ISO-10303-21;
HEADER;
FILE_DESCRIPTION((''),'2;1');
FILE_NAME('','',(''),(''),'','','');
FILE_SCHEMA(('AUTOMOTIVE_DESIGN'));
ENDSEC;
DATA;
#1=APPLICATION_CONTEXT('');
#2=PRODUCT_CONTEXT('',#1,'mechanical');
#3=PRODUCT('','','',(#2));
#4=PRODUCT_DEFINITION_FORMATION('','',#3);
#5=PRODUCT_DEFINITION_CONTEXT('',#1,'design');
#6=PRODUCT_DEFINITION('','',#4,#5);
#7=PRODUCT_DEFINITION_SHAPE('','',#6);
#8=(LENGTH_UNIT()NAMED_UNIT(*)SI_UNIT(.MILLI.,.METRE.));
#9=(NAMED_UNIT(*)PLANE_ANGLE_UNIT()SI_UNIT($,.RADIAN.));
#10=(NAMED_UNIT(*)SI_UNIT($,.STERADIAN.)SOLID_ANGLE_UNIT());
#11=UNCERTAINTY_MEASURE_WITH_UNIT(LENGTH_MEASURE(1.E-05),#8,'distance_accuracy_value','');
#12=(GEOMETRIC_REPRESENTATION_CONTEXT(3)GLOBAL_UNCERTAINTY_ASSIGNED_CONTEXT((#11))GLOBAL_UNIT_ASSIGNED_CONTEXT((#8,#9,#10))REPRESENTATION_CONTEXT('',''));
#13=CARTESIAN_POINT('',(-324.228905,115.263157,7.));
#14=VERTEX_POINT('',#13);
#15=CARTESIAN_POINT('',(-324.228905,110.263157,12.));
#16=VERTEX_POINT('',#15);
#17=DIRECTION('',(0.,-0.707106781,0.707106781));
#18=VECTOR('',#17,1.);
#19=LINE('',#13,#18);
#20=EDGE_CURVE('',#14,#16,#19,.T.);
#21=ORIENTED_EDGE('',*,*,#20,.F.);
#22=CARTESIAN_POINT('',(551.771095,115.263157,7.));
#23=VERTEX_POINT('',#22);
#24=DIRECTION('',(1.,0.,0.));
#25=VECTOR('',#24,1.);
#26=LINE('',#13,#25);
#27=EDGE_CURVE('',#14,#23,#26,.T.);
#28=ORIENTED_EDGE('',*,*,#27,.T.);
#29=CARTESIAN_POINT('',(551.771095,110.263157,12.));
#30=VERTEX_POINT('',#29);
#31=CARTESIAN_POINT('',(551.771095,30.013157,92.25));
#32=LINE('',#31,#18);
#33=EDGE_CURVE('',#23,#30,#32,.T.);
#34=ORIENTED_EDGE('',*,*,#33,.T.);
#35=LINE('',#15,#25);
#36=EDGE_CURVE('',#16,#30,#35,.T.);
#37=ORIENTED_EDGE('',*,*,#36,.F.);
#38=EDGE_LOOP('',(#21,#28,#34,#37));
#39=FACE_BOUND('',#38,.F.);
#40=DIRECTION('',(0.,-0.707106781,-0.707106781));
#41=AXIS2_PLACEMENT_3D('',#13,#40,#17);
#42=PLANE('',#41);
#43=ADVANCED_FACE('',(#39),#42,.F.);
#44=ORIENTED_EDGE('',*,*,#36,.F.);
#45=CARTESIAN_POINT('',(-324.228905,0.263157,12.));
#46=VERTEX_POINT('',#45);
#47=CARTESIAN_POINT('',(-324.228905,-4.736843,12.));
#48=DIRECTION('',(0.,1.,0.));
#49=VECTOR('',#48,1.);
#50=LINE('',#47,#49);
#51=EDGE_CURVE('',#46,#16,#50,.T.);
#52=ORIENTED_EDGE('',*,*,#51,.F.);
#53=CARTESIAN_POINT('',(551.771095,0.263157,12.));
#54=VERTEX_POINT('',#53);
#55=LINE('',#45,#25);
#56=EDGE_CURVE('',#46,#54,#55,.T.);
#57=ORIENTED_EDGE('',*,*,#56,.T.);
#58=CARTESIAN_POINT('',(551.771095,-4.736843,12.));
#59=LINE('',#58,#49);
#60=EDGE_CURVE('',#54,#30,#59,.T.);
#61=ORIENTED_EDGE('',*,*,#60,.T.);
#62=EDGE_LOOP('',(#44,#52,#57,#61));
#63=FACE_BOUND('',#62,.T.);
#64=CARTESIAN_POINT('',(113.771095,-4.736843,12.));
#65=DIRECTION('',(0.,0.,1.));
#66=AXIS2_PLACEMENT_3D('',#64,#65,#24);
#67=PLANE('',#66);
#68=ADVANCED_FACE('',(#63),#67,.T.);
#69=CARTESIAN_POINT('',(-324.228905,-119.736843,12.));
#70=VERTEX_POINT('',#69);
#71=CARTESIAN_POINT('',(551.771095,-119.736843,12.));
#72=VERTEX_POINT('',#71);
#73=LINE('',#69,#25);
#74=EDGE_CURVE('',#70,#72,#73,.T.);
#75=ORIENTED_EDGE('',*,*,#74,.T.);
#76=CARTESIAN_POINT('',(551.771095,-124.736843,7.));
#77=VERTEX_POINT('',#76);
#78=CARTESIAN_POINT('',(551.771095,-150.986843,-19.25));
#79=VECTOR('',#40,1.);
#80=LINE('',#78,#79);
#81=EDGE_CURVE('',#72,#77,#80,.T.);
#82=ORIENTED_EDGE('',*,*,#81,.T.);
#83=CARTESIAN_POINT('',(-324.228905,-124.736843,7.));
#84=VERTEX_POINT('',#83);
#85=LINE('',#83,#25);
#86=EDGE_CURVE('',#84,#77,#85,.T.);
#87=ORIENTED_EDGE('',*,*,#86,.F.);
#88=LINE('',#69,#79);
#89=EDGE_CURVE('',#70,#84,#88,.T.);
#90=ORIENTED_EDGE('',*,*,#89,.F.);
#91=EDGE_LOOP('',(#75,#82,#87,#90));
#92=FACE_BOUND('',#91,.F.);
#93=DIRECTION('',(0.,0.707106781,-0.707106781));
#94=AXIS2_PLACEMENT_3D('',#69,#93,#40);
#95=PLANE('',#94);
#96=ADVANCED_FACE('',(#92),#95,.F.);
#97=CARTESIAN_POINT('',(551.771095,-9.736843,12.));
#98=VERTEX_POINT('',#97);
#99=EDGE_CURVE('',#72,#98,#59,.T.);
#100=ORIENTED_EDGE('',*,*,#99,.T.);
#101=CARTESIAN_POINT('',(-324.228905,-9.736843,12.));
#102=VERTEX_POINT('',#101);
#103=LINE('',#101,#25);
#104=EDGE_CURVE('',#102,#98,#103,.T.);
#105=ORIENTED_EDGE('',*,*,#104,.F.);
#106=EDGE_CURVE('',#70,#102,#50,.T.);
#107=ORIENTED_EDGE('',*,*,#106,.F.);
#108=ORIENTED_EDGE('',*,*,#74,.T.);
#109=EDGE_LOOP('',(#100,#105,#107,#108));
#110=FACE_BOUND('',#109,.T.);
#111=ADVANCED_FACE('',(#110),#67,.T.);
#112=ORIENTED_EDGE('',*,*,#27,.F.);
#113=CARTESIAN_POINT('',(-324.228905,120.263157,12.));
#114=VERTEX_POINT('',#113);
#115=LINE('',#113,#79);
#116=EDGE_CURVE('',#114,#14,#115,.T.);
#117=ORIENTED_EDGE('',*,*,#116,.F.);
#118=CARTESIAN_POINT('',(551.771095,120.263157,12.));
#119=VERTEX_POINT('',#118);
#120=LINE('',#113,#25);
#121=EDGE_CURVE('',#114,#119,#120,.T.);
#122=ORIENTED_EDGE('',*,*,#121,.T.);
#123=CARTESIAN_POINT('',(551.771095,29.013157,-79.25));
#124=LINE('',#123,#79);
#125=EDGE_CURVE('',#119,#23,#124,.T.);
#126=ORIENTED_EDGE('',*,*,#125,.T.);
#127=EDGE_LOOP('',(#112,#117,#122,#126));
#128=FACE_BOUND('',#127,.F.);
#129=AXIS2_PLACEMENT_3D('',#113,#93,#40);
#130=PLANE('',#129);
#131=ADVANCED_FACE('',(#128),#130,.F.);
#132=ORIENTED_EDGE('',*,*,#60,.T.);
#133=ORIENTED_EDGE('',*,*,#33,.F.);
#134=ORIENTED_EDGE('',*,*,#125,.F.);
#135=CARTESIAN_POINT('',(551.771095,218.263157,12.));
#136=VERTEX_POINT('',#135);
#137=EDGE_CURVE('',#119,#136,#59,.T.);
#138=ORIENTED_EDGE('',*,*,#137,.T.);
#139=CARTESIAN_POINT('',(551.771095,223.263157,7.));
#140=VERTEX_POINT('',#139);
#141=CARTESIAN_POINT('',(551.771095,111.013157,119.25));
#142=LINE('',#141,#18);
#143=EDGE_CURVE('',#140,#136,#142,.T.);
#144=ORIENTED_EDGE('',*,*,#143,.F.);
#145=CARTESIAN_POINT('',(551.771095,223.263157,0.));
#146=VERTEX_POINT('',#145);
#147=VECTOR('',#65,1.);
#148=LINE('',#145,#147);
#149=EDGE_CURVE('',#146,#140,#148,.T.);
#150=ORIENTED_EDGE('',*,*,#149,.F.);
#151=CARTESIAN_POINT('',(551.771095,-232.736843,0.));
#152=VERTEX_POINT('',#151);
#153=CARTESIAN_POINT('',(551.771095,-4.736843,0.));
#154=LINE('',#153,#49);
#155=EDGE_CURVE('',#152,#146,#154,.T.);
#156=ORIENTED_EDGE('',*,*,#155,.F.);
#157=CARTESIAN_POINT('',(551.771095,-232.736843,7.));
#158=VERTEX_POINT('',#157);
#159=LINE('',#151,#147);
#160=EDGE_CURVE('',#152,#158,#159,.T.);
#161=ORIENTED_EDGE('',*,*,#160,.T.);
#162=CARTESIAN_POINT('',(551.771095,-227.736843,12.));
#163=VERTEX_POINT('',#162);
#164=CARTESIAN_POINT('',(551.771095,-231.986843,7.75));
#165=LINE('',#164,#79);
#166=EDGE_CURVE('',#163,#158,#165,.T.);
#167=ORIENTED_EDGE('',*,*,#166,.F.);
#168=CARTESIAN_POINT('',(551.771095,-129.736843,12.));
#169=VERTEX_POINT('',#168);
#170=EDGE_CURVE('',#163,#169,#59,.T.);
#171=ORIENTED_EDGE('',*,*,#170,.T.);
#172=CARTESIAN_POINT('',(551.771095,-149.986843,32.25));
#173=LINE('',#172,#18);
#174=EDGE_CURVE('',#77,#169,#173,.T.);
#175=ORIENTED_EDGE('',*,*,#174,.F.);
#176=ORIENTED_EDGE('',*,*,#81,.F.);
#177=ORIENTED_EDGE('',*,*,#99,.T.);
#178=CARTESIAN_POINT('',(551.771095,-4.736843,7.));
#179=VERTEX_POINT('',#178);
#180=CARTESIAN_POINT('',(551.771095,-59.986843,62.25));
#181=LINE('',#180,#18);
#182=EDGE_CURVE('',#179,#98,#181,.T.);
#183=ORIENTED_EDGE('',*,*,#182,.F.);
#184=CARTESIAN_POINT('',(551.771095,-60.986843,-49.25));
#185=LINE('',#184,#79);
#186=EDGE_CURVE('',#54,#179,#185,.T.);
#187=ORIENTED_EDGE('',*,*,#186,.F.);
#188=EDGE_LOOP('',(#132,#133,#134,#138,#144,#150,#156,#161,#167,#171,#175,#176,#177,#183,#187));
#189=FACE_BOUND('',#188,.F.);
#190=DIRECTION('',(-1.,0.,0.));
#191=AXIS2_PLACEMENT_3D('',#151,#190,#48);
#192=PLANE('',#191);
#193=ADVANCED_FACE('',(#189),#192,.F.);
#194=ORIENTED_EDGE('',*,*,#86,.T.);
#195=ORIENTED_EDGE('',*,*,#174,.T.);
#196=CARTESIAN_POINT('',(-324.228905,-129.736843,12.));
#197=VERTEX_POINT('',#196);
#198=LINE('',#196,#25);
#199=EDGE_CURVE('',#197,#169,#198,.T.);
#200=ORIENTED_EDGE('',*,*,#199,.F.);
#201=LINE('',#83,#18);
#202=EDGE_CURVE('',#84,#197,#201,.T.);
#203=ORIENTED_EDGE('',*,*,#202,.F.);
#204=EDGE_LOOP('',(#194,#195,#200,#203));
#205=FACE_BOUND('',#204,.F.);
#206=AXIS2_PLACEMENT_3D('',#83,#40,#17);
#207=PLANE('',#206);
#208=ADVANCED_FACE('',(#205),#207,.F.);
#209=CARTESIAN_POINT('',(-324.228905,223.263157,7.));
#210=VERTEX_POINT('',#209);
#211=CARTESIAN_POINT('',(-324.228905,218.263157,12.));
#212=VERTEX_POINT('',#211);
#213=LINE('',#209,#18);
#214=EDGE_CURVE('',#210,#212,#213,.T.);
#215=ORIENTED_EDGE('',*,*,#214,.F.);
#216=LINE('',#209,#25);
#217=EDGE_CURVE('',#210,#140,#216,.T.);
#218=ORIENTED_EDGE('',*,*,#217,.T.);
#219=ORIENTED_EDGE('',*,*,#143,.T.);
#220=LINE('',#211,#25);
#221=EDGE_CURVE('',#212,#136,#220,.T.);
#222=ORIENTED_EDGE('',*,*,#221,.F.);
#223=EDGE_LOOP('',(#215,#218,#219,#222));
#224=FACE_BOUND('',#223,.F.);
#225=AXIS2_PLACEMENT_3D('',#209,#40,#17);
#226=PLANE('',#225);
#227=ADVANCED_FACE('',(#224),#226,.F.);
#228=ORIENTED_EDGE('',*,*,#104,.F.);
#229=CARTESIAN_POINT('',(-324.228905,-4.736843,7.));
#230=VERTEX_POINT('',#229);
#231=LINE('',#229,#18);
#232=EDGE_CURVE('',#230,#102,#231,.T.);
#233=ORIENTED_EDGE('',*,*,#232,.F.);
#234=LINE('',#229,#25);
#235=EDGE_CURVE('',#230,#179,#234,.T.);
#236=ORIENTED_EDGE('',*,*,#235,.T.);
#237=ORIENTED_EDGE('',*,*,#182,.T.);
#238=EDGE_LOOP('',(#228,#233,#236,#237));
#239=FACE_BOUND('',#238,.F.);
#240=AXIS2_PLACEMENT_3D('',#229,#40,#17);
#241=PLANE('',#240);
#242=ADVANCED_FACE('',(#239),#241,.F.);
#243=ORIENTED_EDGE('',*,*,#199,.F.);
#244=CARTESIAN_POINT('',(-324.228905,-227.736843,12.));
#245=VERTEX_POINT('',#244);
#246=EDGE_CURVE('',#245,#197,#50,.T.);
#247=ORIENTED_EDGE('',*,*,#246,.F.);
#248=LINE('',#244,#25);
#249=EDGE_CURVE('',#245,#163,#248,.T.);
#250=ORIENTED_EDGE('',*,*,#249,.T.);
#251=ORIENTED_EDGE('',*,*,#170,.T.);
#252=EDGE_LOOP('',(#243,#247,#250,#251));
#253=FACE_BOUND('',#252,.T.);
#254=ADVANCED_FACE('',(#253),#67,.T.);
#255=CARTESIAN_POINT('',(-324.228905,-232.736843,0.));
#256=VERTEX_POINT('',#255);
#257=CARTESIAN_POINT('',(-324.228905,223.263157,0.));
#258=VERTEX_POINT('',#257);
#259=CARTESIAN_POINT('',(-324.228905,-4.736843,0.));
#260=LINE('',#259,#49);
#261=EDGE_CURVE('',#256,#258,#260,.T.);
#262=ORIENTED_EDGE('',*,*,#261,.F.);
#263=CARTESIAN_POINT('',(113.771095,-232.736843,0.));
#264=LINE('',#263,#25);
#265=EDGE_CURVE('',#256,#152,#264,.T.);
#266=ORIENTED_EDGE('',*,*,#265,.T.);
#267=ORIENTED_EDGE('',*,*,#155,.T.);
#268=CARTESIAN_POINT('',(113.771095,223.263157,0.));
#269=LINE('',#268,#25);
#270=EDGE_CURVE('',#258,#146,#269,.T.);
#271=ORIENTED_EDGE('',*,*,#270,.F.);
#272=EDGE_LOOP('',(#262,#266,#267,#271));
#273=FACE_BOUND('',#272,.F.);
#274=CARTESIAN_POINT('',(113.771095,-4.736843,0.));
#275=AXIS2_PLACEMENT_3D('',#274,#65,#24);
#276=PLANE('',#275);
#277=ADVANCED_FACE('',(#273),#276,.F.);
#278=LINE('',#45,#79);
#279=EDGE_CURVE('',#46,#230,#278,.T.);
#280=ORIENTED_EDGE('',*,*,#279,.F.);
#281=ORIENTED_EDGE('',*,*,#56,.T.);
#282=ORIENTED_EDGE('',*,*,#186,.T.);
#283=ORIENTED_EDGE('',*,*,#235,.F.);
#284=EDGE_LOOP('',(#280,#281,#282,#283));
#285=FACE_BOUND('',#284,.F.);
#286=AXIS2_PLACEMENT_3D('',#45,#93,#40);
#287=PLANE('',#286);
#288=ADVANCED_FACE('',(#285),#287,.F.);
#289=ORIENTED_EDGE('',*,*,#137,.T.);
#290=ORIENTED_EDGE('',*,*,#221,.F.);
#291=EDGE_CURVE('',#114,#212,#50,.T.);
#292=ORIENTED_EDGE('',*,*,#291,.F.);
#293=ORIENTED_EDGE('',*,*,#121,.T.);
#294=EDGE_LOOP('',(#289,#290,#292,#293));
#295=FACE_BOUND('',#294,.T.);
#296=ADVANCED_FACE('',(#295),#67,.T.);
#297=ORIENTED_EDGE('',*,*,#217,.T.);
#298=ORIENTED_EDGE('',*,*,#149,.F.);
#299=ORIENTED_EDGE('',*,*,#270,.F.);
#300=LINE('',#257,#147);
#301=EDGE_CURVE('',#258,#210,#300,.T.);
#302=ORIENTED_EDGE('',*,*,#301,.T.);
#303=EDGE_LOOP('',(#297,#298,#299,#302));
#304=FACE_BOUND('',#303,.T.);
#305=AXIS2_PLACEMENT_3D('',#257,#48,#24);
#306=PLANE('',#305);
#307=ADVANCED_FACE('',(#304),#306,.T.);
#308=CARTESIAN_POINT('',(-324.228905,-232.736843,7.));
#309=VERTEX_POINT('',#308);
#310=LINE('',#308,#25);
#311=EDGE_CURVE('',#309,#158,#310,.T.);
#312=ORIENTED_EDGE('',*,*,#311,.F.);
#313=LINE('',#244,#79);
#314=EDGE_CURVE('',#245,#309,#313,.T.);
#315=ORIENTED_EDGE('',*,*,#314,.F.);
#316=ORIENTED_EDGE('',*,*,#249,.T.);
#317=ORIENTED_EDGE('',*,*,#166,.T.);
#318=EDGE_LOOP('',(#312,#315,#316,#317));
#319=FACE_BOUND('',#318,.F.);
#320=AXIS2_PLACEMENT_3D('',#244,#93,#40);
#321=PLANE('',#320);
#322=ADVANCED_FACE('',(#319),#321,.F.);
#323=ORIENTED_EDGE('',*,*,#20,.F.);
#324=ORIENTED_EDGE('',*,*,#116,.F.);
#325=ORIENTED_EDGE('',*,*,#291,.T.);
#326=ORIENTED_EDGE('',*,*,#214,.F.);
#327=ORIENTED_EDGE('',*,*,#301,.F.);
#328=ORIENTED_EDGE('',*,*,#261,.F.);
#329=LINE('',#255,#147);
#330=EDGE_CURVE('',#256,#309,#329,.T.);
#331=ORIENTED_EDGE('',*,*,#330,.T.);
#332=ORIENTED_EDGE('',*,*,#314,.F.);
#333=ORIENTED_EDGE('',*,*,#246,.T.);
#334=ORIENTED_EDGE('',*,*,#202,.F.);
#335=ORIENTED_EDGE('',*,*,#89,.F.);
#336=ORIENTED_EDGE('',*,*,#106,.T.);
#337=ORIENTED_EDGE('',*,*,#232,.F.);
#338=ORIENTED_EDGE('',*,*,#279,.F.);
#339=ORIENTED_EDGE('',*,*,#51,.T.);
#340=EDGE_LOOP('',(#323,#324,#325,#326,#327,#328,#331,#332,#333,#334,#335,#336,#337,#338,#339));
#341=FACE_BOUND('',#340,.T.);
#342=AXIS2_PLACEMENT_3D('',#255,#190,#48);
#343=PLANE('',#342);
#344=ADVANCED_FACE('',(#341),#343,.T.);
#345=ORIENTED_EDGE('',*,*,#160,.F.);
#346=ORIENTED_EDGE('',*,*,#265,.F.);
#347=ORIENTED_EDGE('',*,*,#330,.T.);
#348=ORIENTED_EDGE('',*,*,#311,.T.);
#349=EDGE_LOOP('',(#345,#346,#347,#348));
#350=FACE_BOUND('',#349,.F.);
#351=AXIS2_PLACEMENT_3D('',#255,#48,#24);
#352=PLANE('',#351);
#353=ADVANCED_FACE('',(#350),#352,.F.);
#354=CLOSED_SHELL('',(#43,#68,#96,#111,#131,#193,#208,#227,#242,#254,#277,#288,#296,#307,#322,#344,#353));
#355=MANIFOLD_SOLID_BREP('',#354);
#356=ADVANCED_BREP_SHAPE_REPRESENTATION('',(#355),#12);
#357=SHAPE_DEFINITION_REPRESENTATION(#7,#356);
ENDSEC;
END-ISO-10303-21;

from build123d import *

# Parameters (mm, degrees)
F0_W     = 876
F0_H     = 456
F1_DEPTH = 12
F3_DEPTH = 900


with BuildPart() as f1:
    # F0 (on Top) → F1 (new body)
    with BuildSketch(Plane.XY):
        with Locations((113.771095, -4.736843)):
            Rectangle(F0_W, F0_H)
    extrude(amount=F1_DEPTH)

    # F2 (on face) → F3 (cut)
    with BuildSketch(Plane(origin=(-324.228905, 0, 0), x_dir=(0, -1, 0), z_dir=(-1, 0, 0))):
        Polygon((-218.263157, 12), (-223.263157, 12), (-223.263157, 7), align=None)
        Polygon((232.736843, 7), (232.736843, 12), (227.736843, 12), align=None)
        Polygon((129.736843, 12), (124.736843, 12), (119.736843, 12), (124.736843, 7), align=None)
        Polygon((9.736843, 12), (4.736843, 12), (-0.263157, 12), (4.736843, 7), align=None)
        Polygon((-110.263157, 12), (-115.263157, 12), (-120.263157, 12), (-115.263157, 7), align=None)
    extrude(amount=-F3_DEPTH, mode=Mode.SUBTRACT)


solid = f1.part
